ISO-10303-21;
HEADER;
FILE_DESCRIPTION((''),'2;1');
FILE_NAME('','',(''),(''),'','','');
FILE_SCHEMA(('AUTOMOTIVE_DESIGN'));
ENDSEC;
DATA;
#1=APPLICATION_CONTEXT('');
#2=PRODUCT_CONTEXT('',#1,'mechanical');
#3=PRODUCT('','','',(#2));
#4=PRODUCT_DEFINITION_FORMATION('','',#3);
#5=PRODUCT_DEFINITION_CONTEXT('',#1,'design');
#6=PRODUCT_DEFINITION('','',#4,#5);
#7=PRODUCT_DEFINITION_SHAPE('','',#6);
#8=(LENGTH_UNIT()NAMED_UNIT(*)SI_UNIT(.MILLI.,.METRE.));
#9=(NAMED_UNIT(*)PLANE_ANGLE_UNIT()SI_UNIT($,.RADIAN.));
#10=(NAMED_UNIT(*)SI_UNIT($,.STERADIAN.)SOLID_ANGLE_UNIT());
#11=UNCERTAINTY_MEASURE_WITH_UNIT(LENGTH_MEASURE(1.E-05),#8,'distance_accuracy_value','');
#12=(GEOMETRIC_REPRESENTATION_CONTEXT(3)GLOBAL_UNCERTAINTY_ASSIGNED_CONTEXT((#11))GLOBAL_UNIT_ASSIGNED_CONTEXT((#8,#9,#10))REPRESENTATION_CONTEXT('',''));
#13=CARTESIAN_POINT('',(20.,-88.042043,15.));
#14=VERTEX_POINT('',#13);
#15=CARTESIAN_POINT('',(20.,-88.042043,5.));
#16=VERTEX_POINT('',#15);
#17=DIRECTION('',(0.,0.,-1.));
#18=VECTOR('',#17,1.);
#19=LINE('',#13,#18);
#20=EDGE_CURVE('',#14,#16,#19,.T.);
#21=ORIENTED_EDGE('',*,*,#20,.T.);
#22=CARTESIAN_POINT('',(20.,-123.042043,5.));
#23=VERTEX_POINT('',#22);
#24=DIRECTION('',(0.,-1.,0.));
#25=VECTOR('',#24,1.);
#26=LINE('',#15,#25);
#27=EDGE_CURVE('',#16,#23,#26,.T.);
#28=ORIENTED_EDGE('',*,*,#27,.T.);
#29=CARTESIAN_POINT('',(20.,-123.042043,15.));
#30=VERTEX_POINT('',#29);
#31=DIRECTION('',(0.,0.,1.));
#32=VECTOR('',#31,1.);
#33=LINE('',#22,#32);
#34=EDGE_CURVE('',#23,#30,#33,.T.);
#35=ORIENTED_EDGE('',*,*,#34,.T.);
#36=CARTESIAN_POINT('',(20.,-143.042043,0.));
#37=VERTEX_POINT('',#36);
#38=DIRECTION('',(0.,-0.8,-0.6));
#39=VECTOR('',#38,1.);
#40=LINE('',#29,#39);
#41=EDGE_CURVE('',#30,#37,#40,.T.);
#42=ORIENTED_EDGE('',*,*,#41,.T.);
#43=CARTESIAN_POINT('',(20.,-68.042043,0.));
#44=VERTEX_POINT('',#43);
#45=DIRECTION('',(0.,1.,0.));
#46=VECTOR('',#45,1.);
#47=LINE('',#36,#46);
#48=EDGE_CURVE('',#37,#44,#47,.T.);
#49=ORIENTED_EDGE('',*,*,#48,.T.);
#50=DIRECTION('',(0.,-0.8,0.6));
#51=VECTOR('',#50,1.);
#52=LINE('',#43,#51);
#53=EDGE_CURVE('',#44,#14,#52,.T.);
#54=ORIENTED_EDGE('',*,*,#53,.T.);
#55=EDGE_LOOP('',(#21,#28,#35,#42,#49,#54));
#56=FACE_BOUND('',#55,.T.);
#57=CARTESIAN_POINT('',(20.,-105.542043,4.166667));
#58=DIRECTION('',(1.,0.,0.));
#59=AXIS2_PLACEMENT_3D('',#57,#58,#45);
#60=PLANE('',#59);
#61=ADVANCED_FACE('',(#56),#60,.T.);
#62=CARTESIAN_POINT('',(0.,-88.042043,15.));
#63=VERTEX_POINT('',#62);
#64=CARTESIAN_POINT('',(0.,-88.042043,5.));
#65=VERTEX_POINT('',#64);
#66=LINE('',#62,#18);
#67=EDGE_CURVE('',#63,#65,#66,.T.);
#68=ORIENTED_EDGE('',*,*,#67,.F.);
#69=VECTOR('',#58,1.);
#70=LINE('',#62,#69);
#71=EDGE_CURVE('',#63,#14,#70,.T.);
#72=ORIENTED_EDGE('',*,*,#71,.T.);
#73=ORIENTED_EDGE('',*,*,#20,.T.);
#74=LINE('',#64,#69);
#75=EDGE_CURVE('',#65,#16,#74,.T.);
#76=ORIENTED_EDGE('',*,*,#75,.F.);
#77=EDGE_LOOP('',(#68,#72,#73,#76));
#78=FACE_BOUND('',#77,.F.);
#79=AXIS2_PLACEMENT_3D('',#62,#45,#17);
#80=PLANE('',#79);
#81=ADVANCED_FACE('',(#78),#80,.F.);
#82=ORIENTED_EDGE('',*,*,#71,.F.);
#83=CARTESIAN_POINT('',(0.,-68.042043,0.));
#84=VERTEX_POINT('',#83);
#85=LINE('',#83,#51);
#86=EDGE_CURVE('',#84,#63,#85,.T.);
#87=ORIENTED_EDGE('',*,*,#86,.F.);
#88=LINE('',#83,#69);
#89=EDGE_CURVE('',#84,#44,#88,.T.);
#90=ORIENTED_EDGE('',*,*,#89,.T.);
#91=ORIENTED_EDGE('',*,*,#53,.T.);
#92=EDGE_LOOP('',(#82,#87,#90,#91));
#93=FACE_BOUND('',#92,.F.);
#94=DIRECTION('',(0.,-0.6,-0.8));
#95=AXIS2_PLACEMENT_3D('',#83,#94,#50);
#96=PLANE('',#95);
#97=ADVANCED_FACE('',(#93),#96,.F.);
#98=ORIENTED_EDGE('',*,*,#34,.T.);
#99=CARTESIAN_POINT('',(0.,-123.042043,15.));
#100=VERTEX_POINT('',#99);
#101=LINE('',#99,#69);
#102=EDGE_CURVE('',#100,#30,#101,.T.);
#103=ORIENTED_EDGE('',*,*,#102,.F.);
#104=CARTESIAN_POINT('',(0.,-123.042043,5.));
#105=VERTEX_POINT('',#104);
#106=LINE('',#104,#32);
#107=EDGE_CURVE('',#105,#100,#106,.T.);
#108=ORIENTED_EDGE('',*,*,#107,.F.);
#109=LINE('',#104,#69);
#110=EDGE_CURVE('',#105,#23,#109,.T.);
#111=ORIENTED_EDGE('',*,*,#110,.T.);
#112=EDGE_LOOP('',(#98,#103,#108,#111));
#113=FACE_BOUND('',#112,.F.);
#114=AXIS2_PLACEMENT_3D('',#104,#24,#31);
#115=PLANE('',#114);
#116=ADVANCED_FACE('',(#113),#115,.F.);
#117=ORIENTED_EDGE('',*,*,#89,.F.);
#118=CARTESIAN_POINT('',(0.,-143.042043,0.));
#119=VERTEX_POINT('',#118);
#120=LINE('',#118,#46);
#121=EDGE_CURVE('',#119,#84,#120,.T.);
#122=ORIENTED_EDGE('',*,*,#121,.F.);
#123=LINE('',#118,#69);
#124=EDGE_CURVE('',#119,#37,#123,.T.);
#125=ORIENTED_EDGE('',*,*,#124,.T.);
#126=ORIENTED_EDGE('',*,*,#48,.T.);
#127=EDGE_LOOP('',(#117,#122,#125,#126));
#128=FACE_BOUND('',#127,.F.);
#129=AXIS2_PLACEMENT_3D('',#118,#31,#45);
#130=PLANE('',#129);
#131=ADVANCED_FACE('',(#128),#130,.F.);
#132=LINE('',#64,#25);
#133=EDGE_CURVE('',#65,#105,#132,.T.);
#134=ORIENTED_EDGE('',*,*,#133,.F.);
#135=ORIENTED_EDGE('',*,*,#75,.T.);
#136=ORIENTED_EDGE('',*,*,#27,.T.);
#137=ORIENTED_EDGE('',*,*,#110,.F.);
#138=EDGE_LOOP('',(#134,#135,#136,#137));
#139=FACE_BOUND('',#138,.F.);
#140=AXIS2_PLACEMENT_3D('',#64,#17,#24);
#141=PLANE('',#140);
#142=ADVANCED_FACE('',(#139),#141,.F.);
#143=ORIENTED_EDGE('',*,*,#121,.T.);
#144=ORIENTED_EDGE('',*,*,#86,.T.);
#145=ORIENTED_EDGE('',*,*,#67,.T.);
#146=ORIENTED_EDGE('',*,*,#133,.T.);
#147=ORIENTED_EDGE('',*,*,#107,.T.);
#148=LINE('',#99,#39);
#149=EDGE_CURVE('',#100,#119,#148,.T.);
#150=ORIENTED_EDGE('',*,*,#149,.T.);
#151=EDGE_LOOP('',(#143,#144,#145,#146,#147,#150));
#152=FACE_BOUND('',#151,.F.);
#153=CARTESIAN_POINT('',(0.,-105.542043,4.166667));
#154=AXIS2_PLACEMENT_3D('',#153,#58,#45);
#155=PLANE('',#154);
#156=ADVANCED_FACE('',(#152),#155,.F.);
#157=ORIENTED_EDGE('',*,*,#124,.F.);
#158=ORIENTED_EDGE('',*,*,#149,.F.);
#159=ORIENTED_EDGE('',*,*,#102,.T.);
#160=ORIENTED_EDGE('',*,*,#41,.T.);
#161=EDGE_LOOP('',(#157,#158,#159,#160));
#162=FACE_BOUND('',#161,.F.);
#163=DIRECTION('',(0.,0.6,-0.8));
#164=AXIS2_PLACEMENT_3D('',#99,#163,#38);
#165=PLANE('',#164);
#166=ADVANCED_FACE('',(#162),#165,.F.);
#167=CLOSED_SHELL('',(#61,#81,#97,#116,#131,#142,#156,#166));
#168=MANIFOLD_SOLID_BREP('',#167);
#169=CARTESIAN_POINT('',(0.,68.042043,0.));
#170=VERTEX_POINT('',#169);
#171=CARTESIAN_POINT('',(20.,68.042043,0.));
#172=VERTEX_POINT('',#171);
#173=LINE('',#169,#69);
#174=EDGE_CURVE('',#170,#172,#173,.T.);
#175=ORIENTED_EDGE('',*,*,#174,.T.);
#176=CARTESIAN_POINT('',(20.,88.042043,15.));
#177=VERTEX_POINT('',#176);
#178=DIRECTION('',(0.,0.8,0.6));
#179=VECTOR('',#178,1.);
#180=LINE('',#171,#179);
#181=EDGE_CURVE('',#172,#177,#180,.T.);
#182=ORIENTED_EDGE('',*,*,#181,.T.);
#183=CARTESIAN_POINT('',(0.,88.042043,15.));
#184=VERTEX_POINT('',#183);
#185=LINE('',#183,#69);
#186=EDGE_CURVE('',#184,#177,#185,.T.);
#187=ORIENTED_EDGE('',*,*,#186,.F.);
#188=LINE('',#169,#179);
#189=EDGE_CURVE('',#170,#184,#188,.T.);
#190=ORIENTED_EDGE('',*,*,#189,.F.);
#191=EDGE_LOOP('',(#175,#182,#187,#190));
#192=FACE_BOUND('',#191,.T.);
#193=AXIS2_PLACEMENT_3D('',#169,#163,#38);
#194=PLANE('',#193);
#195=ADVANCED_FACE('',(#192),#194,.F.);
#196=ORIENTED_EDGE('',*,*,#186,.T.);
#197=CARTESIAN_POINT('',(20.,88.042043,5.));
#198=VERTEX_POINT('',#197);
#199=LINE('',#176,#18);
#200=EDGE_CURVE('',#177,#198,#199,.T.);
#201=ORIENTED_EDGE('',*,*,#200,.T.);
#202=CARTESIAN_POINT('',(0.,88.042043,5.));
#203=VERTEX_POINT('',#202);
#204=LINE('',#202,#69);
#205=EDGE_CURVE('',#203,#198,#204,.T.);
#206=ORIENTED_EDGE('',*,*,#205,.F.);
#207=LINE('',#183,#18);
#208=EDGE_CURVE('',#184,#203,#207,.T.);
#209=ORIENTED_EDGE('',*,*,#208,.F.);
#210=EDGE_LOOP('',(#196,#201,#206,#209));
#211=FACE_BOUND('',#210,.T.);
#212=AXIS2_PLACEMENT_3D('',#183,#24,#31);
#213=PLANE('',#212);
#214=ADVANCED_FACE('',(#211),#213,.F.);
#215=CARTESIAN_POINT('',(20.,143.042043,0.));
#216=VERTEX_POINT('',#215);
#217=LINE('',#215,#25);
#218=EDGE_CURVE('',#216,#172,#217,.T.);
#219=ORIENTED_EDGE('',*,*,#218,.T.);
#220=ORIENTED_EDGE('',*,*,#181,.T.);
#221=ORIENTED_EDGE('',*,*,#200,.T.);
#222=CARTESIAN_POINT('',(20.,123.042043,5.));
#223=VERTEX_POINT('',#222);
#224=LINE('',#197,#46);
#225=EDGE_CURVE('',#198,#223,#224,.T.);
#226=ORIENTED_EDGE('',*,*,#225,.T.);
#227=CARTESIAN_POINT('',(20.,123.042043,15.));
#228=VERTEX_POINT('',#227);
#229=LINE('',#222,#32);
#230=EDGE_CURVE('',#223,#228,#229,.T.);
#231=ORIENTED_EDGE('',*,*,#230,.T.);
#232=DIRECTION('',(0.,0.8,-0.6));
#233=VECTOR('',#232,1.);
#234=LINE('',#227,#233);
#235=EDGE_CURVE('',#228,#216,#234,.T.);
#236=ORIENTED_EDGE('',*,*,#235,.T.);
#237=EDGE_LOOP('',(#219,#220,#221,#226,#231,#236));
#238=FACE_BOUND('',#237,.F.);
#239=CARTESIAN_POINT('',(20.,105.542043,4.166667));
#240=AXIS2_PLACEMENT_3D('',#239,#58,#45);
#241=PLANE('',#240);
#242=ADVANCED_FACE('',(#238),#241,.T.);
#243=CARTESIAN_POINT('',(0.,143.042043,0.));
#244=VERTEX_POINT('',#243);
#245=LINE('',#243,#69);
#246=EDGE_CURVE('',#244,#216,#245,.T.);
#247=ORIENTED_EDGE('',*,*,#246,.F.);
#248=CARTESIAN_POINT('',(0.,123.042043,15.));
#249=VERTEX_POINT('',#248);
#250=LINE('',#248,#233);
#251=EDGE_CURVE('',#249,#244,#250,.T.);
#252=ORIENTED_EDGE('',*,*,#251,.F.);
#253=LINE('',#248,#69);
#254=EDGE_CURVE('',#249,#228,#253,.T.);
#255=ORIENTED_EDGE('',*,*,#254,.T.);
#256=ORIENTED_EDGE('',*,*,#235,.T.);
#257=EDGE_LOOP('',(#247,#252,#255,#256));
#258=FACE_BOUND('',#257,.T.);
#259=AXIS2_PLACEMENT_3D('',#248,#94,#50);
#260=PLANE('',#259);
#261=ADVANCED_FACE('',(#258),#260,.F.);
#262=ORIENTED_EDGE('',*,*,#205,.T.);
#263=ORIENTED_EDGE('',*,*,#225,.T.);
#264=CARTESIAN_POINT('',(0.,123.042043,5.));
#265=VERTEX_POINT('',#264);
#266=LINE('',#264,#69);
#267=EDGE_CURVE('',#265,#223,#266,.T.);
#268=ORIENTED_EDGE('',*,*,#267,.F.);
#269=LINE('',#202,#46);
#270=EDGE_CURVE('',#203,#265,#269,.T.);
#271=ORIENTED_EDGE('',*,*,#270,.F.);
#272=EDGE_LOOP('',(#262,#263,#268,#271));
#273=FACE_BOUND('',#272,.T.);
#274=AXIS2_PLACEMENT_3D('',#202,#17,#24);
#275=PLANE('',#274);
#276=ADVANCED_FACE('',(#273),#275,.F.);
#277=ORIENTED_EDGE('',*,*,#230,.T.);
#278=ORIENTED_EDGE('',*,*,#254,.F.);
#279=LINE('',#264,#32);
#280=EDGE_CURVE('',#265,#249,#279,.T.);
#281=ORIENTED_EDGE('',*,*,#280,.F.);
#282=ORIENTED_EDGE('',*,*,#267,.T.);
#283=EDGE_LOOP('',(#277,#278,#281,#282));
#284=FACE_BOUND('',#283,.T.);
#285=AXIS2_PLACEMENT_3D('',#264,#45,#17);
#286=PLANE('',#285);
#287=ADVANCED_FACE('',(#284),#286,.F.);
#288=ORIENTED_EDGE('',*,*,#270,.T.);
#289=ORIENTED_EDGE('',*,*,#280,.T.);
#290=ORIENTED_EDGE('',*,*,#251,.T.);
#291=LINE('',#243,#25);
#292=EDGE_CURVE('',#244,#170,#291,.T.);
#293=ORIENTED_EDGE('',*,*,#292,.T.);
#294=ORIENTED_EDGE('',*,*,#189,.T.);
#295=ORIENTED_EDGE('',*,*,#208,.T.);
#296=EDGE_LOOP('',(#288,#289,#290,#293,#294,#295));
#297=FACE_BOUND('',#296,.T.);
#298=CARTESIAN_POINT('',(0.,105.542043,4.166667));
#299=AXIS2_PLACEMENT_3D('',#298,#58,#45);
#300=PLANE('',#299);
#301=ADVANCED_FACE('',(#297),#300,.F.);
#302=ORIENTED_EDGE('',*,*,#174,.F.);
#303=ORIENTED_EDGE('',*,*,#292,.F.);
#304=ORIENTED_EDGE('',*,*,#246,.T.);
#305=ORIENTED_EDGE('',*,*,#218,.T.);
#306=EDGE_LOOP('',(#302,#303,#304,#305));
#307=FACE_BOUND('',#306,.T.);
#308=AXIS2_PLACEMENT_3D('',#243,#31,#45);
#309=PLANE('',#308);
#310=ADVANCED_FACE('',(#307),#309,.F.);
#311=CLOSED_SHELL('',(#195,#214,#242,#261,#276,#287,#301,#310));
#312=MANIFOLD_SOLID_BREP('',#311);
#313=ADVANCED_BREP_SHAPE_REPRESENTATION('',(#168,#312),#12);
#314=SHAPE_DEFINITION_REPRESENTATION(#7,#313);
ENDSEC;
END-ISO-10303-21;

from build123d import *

# Parameters (mm, degrees)
F1_DEPTH = 20


with BuildPart() as f1:
    # F0 (on Right) → F1 (new body)
    with BuildSketch(Plane.YZ):
        Polygon((-143.042043, 0), (-68.042043, 0), (-88.042043, 15), (-88.042043, 5), (-123.042043, 5), (-123.042043, 15), align=None)
    extrude(amount=F1_DEPTH)


with BuildPart() as f2_1:
    # F2: instance of F1
    add(f1.part.mirror(Plane.XZ))


solid = Compound([f1.part, f2_1.part])
